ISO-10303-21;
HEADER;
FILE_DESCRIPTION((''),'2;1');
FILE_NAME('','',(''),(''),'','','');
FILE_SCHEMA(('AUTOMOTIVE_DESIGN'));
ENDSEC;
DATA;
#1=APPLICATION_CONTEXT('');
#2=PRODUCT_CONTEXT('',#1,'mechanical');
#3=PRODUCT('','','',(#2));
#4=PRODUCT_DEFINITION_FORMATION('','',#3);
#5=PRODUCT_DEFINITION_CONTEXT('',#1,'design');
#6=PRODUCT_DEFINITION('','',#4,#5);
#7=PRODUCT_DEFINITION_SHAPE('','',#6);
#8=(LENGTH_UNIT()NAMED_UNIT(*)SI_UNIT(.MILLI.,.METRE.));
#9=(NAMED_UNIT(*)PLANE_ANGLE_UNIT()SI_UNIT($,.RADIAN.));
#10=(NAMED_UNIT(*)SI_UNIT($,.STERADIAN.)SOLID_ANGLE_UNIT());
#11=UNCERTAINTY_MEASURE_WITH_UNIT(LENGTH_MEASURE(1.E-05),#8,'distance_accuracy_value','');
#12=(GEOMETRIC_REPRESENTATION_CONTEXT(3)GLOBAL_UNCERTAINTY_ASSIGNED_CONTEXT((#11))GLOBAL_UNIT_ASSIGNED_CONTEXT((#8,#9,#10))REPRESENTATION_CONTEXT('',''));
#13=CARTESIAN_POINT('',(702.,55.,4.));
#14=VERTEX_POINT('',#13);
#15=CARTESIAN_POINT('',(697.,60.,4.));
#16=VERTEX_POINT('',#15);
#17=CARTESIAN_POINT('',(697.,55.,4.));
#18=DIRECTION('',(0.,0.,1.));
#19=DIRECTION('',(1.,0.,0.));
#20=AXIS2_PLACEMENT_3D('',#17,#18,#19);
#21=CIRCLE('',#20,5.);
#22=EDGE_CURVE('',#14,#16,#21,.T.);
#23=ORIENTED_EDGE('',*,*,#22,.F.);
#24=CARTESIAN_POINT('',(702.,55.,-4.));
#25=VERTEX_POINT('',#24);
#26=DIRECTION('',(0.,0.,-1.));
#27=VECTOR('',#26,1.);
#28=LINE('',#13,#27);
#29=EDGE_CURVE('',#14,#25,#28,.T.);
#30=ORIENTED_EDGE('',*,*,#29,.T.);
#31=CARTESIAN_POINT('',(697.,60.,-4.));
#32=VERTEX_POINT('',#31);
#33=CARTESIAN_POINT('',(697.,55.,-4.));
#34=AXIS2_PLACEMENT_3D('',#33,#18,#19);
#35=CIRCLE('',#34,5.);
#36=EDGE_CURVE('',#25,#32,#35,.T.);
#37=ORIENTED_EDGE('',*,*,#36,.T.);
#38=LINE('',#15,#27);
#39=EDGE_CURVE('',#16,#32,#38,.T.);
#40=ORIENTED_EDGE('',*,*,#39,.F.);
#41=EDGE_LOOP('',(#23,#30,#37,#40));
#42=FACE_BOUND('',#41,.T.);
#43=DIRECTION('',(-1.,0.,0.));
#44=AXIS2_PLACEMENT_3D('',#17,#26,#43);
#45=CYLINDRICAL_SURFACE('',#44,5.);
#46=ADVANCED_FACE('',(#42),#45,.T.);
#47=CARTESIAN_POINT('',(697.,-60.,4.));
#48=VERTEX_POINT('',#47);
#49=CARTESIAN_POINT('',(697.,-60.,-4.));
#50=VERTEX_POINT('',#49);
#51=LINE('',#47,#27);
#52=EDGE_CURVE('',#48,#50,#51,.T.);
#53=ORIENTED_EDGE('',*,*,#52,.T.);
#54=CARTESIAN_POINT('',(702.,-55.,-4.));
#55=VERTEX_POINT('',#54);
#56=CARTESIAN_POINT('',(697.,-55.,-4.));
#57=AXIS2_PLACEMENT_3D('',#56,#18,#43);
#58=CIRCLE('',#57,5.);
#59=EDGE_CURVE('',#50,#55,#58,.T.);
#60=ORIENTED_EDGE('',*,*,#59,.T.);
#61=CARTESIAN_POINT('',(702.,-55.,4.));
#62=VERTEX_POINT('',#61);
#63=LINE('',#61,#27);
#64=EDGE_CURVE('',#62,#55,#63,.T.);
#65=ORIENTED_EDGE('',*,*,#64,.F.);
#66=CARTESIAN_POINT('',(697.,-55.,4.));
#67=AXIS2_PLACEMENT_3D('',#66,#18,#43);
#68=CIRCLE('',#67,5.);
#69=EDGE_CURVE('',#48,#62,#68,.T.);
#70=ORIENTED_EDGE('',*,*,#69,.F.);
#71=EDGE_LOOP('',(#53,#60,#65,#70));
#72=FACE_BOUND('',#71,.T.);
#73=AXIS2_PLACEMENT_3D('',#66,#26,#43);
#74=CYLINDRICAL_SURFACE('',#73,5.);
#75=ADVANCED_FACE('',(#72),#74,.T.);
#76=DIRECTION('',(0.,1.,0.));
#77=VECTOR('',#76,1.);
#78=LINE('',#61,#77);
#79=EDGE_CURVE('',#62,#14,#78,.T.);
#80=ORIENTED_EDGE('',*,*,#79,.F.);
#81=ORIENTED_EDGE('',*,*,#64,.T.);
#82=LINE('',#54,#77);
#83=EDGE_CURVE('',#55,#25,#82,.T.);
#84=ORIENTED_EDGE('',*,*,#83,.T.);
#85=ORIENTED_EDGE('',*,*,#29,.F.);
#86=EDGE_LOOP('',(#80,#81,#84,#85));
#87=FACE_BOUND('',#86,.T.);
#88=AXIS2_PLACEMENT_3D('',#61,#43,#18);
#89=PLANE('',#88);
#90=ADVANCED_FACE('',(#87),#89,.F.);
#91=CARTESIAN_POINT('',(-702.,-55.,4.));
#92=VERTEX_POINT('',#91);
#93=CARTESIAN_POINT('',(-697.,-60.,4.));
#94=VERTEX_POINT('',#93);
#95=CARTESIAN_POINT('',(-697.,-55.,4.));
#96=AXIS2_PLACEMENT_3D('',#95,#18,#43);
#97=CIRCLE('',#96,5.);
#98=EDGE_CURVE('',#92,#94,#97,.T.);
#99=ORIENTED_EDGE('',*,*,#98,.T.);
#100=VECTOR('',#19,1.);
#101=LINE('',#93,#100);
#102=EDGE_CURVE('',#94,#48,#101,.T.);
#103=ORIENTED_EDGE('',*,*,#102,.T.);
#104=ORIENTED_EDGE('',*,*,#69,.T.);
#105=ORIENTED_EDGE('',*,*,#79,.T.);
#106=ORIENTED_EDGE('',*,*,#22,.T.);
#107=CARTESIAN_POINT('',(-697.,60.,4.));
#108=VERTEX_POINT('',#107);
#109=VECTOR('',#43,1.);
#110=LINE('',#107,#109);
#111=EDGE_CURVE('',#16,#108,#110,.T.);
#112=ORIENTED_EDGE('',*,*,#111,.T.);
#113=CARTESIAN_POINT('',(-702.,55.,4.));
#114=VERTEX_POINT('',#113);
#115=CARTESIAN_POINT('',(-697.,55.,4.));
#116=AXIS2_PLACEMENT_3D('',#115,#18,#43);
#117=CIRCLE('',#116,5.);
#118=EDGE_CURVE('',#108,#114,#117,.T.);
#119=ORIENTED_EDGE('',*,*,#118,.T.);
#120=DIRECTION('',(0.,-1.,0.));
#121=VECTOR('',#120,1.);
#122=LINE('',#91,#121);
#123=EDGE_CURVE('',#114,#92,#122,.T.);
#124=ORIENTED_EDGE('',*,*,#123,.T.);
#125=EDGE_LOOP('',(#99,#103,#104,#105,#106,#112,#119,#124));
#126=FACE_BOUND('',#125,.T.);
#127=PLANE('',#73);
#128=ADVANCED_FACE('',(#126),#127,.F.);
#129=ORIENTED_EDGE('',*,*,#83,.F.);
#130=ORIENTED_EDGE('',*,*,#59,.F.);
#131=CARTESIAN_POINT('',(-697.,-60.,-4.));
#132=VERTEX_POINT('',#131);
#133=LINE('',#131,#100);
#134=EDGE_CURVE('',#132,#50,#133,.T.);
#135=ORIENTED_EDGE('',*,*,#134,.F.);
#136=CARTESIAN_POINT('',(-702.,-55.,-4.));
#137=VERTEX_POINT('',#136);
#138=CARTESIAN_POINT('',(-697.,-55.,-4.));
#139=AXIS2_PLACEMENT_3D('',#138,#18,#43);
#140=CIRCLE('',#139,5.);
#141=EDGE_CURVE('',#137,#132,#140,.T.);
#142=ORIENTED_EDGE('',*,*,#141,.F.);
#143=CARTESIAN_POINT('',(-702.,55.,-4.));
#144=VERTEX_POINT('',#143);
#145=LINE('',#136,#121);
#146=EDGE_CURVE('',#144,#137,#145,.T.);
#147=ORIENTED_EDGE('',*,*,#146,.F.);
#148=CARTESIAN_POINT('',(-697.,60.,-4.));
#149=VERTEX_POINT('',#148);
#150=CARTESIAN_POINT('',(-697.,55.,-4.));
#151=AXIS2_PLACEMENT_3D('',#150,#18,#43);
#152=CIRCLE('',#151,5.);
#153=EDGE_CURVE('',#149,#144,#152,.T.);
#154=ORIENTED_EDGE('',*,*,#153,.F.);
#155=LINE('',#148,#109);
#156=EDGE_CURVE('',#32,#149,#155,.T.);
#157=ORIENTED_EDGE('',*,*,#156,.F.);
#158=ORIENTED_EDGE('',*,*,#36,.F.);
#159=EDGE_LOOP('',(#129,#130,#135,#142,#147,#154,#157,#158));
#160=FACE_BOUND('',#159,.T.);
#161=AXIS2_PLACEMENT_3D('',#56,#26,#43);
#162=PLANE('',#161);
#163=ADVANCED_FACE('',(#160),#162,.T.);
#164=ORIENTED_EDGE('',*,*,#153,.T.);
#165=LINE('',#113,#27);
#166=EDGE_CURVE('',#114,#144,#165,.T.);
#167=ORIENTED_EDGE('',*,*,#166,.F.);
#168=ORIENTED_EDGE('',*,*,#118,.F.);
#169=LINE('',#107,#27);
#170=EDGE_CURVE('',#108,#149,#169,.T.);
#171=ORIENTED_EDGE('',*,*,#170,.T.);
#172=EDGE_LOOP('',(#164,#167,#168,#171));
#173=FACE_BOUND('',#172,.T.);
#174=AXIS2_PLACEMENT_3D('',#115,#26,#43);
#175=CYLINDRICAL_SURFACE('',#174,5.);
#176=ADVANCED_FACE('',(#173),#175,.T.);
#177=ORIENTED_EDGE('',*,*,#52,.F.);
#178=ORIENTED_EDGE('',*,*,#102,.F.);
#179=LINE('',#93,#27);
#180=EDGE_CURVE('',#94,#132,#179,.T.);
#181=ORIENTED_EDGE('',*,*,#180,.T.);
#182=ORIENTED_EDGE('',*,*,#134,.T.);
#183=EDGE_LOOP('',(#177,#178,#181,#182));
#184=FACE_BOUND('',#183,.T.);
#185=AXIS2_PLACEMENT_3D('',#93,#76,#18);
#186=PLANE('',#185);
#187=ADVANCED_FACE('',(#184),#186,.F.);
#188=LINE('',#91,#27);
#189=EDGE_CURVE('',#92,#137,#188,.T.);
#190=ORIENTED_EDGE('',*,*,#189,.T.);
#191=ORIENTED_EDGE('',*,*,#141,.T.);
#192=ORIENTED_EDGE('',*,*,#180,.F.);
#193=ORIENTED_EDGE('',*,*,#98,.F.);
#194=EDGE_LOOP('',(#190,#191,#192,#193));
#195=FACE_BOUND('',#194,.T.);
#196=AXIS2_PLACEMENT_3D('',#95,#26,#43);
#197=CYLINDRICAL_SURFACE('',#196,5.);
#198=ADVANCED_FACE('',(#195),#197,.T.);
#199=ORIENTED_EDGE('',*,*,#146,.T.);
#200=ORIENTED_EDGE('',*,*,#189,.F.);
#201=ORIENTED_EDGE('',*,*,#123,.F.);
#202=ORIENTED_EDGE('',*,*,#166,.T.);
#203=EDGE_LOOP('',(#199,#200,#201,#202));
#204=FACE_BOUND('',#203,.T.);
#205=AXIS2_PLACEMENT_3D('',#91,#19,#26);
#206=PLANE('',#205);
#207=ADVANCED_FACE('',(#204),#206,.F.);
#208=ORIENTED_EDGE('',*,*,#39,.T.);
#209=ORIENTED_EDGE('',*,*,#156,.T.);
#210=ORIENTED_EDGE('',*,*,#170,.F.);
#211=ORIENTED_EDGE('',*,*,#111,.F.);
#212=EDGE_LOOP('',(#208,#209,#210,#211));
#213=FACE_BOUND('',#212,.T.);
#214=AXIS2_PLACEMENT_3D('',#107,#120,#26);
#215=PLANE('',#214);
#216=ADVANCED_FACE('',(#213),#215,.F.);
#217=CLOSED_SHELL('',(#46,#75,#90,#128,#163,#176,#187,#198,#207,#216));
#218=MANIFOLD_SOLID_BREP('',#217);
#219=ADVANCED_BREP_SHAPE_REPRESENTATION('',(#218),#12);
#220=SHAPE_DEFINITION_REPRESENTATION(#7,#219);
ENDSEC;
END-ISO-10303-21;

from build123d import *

# Parameters (mm, degrees)
BOSS_EXTRUDE1_DEPTH = 4


with BuildPart() as part:
    # Sketch1 → Boss-Extrude1 (new, symmetric)
    with BuildSketch(Plane.XY):
        with BuildLine():
            Line((-697, -60), (697, -60))
            ThreePointArc((697, -60), (700.535533906, -58.535533906), (702, -55))
            Line((702, -55), (702, 55))
            ThreePointArc((702, 55), (700.535533906, 58.535533906), (697, 60))
            Line((697, 60), (-697, 60))
            ThreePointArc((-697, 60), (-700.535533906, 58.535533906), (-702, 55))
            Line((-702, 55), (-702, -55))
            ThreePointArc((-702, -55), (-700.535533906, -58.535533906), (-697, -60))
        make_face()
    extrude(amount=BOSS_EXTRUDE1_DEPTH, both=True)


solid = part.part
